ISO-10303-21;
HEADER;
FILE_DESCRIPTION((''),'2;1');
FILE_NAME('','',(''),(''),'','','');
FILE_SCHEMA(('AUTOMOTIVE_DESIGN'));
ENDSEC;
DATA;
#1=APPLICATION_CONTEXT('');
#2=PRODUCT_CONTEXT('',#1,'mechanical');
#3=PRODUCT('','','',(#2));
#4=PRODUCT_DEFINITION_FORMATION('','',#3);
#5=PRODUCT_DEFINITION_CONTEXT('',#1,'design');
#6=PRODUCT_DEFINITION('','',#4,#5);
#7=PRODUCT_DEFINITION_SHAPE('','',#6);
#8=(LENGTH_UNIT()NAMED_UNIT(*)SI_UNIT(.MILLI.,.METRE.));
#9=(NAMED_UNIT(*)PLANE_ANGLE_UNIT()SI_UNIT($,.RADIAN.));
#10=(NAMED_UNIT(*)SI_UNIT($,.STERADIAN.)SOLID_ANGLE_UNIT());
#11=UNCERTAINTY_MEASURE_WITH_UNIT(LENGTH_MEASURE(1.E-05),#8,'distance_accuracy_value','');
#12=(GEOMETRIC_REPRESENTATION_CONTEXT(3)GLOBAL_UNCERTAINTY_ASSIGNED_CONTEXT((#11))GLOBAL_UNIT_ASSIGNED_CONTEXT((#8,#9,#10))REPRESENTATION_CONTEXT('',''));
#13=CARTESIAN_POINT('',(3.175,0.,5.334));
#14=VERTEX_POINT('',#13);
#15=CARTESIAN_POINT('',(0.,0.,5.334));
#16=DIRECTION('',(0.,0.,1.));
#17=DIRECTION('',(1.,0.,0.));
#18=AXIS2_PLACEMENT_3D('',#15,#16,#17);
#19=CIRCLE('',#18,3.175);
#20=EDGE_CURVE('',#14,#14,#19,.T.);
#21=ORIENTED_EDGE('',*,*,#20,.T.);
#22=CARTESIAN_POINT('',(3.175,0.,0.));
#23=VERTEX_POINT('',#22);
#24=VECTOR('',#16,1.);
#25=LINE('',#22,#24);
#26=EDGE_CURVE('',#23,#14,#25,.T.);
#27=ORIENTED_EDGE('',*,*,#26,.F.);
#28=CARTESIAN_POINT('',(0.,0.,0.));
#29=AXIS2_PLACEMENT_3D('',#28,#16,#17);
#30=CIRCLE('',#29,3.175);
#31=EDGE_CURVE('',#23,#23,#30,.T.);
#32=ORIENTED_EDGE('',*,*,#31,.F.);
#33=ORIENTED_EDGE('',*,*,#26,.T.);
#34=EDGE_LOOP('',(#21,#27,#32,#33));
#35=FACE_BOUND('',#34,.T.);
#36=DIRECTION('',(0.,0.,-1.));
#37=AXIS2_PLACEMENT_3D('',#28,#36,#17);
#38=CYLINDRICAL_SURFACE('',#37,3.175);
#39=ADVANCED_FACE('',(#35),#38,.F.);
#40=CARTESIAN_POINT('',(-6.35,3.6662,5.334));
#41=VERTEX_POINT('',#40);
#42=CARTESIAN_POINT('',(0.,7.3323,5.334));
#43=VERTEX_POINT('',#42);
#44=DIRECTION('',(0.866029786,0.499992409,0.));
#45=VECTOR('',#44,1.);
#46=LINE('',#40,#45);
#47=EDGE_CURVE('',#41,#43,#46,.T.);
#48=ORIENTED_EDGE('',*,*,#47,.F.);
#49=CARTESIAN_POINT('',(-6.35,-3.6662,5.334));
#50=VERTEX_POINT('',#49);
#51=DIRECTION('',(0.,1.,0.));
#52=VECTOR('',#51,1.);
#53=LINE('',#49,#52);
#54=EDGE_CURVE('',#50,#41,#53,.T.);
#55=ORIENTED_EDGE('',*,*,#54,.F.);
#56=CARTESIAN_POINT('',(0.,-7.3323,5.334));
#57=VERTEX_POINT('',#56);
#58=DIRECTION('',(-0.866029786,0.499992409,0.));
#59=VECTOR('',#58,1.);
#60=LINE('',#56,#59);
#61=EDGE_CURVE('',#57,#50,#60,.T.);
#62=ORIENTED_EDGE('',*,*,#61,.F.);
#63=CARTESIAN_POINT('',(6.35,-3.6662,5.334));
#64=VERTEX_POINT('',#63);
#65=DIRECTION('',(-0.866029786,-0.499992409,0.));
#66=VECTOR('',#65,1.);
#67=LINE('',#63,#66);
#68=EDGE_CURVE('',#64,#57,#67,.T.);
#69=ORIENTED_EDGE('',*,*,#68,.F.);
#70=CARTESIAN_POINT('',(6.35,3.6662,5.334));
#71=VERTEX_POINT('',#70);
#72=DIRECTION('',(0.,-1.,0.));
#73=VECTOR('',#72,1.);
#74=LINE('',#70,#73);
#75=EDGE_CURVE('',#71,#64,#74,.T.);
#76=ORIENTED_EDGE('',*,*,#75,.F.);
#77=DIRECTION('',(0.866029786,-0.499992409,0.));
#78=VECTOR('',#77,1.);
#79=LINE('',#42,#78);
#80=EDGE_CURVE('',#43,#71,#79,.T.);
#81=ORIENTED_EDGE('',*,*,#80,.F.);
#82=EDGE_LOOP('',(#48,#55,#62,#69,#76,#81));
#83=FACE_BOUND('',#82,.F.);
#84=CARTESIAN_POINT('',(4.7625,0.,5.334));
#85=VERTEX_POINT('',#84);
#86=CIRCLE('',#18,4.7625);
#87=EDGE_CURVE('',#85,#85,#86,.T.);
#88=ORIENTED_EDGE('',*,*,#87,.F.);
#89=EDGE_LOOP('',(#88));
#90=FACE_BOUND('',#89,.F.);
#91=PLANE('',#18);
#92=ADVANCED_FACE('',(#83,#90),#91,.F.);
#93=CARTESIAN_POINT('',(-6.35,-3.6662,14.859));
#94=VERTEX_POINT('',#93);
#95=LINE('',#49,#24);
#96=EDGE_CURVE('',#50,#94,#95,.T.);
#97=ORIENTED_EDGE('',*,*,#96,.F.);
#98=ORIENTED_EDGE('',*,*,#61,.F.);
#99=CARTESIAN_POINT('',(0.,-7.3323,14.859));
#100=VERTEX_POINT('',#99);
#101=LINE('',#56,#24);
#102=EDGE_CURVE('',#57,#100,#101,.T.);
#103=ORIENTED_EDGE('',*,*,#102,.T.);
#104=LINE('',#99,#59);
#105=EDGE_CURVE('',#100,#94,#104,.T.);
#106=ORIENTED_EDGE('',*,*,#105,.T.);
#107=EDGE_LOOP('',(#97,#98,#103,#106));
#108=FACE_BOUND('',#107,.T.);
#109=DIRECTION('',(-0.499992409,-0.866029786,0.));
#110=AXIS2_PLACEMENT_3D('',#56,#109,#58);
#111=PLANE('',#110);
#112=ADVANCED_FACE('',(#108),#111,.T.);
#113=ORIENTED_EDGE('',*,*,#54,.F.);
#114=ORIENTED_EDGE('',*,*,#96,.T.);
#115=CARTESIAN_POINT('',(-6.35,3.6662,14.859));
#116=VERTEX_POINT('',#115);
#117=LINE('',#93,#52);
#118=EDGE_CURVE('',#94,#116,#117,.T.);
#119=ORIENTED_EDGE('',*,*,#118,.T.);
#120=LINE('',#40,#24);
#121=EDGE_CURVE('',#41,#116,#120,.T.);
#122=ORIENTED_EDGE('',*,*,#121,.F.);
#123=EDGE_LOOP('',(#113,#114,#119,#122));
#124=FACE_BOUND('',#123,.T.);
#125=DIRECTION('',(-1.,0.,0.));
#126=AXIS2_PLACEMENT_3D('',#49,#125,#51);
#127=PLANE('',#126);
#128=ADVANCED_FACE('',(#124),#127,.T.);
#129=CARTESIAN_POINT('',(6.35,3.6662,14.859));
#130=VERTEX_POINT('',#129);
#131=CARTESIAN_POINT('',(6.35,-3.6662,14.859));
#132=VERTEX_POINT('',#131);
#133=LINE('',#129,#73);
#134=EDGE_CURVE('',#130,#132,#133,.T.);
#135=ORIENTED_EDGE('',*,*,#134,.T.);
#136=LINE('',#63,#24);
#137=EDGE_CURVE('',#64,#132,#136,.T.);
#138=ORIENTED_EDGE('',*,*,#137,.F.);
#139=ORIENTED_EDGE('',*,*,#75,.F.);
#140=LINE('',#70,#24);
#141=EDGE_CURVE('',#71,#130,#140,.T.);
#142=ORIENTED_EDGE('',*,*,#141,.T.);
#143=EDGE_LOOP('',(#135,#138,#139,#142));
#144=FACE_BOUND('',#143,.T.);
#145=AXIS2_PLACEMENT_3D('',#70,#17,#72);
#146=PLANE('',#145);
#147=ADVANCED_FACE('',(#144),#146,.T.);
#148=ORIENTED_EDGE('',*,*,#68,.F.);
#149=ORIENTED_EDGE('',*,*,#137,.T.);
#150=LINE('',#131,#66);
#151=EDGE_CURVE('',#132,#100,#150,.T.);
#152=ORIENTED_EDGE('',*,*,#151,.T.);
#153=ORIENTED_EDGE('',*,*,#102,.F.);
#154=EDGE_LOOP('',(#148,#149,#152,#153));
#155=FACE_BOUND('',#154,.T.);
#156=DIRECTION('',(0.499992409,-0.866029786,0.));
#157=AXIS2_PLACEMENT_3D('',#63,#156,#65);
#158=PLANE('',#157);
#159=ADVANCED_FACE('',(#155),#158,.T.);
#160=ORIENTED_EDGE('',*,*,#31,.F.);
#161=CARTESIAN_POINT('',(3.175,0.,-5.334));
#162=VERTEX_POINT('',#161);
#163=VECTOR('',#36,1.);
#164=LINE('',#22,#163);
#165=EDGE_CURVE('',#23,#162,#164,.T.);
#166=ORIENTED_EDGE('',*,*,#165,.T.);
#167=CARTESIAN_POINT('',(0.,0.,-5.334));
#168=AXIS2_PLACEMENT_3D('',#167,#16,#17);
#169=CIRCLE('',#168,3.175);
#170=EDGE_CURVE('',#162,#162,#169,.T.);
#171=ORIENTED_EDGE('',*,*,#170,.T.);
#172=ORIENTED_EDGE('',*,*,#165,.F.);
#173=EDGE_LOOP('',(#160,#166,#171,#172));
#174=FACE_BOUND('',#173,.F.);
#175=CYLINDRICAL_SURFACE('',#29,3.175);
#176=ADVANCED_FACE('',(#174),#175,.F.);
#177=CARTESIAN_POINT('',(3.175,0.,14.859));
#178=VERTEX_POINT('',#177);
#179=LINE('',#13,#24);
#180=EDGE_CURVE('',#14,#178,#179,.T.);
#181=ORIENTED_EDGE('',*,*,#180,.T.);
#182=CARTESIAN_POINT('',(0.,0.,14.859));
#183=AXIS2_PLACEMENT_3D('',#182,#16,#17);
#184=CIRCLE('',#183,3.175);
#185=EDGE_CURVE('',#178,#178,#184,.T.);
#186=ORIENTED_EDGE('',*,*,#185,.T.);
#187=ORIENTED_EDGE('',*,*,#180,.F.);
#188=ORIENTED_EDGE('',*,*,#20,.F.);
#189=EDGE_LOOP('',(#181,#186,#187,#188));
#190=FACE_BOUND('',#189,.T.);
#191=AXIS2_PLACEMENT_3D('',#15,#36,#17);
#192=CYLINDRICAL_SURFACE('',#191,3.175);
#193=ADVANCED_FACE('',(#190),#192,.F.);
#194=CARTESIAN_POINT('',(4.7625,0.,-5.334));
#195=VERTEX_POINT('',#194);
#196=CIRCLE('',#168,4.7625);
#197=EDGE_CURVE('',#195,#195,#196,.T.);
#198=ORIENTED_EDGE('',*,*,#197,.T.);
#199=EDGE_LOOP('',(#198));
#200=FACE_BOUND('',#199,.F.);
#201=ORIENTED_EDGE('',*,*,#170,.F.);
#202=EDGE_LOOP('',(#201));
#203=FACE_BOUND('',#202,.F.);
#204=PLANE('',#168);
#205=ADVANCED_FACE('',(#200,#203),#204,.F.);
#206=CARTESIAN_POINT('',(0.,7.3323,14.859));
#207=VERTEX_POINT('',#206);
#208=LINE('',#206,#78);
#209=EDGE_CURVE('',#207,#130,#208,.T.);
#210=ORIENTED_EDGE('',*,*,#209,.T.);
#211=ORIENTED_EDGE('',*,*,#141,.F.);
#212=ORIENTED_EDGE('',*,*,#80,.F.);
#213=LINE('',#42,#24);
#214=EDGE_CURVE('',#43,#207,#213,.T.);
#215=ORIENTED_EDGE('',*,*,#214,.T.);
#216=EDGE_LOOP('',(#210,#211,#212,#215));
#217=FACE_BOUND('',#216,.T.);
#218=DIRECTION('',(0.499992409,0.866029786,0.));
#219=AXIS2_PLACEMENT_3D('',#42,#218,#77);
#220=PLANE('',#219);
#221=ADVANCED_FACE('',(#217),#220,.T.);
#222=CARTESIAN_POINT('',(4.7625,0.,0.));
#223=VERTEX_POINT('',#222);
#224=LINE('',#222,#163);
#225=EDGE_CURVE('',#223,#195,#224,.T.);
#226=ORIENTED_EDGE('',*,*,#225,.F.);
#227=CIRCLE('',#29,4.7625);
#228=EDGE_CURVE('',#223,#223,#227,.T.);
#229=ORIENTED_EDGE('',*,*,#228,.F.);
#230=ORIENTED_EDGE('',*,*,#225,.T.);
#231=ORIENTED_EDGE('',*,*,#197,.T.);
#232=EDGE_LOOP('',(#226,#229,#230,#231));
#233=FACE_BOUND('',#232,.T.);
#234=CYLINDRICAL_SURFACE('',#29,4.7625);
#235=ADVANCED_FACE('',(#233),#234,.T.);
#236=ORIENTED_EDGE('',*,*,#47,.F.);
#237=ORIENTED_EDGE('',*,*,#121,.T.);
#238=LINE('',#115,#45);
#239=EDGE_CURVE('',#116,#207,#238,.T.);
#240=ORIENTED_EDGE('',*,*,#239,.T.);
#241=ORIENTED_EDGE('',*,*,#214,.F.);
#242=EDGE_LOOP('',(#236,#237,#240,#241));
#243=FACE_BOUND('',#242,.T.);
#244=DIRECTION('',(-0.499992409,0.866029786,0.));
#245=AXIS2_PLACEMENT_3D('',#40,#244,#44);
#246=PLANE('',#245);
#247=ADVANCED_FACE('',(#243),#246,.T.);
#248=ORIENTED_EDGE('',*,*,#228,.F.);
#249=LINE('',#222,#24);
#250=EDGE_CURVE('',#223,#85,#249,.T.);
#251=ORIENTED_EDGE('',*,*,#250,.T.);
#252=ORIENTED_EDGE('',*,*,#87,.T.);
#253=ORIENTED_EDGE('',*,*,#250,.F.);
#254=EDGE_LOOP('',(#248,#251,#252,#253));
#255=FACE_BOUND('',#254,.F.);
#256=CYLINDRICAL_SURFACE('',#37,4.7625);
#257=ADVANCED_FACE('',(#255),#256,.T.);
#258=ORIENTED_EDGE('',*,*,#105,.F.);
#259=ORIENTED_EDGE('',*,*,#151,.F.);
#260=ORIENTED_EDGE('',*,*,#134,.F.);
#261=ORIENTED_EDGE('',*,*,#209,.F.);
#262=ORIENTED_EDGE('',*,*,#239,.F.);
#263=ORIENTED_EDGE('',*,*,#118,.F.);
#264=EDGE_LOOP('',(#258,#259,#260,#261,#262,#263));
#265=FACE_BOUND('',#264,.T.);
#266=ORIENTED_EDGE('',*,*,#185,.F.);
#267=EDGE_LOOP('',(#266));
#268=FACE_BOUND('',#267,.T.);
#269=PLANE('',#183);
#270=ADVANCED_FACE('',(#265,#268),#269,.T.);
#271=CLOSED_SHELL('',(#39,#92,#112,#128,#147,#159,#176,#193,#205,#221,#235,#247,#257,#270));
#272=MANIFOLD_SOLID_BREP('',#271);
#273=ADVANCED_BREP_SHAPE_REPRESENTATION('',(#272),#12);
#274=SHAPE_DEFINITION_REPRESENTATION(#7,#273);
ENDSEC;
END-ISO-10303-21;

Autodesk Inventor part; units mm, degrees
ref_plane "YZ Plane" through (0, 0, 0) normal (1, 0, 0) x (0, 1, 0)
ref_plane "XZ Plane" through (0, 0, 0) normal (0, 1, 0) x (-1, 0, 0)
ref_plane "XY Plane" through (0, 0, 0) normal (0, 0, 1) x (1, 0, 0)
sketch "Sketch1" plane through (0, 0, 0) normal (0, 0, 1) x (1, 0, 0)
  circle A0 centre (0, 0) radius 3.175
  circle A1 centre (0, 0) radius 4.7625
  dimension "d0" = 6.35
  dimension "d1" = 9.525
extrude "Extrusion1" add sketch "Sketch1" along normal mid plane 10.668
sketch "Sketch2" plane through (0, 0, 5.334) normal (0, 0, 1) x (1, 0, 0)
  line L0 (6.35, 3.6662) -> (6.35, -3.6662)
  line L1 (6.35, -3.6662) -> (0, -7.3323)
  line L2 (0, -7.3323) -> (-6.35, -3.6662)
  line L3 (-6.35, -3.6662) -> (-6.35, 3.6662)
  line L4 (-6.35, 3.6662) -> (0, 7.3323)
  line L5 (0, 7.3323) -> (6.35, 3.6662)
  circle A0 centre (0, 0) radius 3.175 projected
  dimension "d4" = 12.7
extrude "Extrusion2" add sketch "Sketch2" along normal blind 9.525
properties part number "bushing" material "Aluminum 6061"
